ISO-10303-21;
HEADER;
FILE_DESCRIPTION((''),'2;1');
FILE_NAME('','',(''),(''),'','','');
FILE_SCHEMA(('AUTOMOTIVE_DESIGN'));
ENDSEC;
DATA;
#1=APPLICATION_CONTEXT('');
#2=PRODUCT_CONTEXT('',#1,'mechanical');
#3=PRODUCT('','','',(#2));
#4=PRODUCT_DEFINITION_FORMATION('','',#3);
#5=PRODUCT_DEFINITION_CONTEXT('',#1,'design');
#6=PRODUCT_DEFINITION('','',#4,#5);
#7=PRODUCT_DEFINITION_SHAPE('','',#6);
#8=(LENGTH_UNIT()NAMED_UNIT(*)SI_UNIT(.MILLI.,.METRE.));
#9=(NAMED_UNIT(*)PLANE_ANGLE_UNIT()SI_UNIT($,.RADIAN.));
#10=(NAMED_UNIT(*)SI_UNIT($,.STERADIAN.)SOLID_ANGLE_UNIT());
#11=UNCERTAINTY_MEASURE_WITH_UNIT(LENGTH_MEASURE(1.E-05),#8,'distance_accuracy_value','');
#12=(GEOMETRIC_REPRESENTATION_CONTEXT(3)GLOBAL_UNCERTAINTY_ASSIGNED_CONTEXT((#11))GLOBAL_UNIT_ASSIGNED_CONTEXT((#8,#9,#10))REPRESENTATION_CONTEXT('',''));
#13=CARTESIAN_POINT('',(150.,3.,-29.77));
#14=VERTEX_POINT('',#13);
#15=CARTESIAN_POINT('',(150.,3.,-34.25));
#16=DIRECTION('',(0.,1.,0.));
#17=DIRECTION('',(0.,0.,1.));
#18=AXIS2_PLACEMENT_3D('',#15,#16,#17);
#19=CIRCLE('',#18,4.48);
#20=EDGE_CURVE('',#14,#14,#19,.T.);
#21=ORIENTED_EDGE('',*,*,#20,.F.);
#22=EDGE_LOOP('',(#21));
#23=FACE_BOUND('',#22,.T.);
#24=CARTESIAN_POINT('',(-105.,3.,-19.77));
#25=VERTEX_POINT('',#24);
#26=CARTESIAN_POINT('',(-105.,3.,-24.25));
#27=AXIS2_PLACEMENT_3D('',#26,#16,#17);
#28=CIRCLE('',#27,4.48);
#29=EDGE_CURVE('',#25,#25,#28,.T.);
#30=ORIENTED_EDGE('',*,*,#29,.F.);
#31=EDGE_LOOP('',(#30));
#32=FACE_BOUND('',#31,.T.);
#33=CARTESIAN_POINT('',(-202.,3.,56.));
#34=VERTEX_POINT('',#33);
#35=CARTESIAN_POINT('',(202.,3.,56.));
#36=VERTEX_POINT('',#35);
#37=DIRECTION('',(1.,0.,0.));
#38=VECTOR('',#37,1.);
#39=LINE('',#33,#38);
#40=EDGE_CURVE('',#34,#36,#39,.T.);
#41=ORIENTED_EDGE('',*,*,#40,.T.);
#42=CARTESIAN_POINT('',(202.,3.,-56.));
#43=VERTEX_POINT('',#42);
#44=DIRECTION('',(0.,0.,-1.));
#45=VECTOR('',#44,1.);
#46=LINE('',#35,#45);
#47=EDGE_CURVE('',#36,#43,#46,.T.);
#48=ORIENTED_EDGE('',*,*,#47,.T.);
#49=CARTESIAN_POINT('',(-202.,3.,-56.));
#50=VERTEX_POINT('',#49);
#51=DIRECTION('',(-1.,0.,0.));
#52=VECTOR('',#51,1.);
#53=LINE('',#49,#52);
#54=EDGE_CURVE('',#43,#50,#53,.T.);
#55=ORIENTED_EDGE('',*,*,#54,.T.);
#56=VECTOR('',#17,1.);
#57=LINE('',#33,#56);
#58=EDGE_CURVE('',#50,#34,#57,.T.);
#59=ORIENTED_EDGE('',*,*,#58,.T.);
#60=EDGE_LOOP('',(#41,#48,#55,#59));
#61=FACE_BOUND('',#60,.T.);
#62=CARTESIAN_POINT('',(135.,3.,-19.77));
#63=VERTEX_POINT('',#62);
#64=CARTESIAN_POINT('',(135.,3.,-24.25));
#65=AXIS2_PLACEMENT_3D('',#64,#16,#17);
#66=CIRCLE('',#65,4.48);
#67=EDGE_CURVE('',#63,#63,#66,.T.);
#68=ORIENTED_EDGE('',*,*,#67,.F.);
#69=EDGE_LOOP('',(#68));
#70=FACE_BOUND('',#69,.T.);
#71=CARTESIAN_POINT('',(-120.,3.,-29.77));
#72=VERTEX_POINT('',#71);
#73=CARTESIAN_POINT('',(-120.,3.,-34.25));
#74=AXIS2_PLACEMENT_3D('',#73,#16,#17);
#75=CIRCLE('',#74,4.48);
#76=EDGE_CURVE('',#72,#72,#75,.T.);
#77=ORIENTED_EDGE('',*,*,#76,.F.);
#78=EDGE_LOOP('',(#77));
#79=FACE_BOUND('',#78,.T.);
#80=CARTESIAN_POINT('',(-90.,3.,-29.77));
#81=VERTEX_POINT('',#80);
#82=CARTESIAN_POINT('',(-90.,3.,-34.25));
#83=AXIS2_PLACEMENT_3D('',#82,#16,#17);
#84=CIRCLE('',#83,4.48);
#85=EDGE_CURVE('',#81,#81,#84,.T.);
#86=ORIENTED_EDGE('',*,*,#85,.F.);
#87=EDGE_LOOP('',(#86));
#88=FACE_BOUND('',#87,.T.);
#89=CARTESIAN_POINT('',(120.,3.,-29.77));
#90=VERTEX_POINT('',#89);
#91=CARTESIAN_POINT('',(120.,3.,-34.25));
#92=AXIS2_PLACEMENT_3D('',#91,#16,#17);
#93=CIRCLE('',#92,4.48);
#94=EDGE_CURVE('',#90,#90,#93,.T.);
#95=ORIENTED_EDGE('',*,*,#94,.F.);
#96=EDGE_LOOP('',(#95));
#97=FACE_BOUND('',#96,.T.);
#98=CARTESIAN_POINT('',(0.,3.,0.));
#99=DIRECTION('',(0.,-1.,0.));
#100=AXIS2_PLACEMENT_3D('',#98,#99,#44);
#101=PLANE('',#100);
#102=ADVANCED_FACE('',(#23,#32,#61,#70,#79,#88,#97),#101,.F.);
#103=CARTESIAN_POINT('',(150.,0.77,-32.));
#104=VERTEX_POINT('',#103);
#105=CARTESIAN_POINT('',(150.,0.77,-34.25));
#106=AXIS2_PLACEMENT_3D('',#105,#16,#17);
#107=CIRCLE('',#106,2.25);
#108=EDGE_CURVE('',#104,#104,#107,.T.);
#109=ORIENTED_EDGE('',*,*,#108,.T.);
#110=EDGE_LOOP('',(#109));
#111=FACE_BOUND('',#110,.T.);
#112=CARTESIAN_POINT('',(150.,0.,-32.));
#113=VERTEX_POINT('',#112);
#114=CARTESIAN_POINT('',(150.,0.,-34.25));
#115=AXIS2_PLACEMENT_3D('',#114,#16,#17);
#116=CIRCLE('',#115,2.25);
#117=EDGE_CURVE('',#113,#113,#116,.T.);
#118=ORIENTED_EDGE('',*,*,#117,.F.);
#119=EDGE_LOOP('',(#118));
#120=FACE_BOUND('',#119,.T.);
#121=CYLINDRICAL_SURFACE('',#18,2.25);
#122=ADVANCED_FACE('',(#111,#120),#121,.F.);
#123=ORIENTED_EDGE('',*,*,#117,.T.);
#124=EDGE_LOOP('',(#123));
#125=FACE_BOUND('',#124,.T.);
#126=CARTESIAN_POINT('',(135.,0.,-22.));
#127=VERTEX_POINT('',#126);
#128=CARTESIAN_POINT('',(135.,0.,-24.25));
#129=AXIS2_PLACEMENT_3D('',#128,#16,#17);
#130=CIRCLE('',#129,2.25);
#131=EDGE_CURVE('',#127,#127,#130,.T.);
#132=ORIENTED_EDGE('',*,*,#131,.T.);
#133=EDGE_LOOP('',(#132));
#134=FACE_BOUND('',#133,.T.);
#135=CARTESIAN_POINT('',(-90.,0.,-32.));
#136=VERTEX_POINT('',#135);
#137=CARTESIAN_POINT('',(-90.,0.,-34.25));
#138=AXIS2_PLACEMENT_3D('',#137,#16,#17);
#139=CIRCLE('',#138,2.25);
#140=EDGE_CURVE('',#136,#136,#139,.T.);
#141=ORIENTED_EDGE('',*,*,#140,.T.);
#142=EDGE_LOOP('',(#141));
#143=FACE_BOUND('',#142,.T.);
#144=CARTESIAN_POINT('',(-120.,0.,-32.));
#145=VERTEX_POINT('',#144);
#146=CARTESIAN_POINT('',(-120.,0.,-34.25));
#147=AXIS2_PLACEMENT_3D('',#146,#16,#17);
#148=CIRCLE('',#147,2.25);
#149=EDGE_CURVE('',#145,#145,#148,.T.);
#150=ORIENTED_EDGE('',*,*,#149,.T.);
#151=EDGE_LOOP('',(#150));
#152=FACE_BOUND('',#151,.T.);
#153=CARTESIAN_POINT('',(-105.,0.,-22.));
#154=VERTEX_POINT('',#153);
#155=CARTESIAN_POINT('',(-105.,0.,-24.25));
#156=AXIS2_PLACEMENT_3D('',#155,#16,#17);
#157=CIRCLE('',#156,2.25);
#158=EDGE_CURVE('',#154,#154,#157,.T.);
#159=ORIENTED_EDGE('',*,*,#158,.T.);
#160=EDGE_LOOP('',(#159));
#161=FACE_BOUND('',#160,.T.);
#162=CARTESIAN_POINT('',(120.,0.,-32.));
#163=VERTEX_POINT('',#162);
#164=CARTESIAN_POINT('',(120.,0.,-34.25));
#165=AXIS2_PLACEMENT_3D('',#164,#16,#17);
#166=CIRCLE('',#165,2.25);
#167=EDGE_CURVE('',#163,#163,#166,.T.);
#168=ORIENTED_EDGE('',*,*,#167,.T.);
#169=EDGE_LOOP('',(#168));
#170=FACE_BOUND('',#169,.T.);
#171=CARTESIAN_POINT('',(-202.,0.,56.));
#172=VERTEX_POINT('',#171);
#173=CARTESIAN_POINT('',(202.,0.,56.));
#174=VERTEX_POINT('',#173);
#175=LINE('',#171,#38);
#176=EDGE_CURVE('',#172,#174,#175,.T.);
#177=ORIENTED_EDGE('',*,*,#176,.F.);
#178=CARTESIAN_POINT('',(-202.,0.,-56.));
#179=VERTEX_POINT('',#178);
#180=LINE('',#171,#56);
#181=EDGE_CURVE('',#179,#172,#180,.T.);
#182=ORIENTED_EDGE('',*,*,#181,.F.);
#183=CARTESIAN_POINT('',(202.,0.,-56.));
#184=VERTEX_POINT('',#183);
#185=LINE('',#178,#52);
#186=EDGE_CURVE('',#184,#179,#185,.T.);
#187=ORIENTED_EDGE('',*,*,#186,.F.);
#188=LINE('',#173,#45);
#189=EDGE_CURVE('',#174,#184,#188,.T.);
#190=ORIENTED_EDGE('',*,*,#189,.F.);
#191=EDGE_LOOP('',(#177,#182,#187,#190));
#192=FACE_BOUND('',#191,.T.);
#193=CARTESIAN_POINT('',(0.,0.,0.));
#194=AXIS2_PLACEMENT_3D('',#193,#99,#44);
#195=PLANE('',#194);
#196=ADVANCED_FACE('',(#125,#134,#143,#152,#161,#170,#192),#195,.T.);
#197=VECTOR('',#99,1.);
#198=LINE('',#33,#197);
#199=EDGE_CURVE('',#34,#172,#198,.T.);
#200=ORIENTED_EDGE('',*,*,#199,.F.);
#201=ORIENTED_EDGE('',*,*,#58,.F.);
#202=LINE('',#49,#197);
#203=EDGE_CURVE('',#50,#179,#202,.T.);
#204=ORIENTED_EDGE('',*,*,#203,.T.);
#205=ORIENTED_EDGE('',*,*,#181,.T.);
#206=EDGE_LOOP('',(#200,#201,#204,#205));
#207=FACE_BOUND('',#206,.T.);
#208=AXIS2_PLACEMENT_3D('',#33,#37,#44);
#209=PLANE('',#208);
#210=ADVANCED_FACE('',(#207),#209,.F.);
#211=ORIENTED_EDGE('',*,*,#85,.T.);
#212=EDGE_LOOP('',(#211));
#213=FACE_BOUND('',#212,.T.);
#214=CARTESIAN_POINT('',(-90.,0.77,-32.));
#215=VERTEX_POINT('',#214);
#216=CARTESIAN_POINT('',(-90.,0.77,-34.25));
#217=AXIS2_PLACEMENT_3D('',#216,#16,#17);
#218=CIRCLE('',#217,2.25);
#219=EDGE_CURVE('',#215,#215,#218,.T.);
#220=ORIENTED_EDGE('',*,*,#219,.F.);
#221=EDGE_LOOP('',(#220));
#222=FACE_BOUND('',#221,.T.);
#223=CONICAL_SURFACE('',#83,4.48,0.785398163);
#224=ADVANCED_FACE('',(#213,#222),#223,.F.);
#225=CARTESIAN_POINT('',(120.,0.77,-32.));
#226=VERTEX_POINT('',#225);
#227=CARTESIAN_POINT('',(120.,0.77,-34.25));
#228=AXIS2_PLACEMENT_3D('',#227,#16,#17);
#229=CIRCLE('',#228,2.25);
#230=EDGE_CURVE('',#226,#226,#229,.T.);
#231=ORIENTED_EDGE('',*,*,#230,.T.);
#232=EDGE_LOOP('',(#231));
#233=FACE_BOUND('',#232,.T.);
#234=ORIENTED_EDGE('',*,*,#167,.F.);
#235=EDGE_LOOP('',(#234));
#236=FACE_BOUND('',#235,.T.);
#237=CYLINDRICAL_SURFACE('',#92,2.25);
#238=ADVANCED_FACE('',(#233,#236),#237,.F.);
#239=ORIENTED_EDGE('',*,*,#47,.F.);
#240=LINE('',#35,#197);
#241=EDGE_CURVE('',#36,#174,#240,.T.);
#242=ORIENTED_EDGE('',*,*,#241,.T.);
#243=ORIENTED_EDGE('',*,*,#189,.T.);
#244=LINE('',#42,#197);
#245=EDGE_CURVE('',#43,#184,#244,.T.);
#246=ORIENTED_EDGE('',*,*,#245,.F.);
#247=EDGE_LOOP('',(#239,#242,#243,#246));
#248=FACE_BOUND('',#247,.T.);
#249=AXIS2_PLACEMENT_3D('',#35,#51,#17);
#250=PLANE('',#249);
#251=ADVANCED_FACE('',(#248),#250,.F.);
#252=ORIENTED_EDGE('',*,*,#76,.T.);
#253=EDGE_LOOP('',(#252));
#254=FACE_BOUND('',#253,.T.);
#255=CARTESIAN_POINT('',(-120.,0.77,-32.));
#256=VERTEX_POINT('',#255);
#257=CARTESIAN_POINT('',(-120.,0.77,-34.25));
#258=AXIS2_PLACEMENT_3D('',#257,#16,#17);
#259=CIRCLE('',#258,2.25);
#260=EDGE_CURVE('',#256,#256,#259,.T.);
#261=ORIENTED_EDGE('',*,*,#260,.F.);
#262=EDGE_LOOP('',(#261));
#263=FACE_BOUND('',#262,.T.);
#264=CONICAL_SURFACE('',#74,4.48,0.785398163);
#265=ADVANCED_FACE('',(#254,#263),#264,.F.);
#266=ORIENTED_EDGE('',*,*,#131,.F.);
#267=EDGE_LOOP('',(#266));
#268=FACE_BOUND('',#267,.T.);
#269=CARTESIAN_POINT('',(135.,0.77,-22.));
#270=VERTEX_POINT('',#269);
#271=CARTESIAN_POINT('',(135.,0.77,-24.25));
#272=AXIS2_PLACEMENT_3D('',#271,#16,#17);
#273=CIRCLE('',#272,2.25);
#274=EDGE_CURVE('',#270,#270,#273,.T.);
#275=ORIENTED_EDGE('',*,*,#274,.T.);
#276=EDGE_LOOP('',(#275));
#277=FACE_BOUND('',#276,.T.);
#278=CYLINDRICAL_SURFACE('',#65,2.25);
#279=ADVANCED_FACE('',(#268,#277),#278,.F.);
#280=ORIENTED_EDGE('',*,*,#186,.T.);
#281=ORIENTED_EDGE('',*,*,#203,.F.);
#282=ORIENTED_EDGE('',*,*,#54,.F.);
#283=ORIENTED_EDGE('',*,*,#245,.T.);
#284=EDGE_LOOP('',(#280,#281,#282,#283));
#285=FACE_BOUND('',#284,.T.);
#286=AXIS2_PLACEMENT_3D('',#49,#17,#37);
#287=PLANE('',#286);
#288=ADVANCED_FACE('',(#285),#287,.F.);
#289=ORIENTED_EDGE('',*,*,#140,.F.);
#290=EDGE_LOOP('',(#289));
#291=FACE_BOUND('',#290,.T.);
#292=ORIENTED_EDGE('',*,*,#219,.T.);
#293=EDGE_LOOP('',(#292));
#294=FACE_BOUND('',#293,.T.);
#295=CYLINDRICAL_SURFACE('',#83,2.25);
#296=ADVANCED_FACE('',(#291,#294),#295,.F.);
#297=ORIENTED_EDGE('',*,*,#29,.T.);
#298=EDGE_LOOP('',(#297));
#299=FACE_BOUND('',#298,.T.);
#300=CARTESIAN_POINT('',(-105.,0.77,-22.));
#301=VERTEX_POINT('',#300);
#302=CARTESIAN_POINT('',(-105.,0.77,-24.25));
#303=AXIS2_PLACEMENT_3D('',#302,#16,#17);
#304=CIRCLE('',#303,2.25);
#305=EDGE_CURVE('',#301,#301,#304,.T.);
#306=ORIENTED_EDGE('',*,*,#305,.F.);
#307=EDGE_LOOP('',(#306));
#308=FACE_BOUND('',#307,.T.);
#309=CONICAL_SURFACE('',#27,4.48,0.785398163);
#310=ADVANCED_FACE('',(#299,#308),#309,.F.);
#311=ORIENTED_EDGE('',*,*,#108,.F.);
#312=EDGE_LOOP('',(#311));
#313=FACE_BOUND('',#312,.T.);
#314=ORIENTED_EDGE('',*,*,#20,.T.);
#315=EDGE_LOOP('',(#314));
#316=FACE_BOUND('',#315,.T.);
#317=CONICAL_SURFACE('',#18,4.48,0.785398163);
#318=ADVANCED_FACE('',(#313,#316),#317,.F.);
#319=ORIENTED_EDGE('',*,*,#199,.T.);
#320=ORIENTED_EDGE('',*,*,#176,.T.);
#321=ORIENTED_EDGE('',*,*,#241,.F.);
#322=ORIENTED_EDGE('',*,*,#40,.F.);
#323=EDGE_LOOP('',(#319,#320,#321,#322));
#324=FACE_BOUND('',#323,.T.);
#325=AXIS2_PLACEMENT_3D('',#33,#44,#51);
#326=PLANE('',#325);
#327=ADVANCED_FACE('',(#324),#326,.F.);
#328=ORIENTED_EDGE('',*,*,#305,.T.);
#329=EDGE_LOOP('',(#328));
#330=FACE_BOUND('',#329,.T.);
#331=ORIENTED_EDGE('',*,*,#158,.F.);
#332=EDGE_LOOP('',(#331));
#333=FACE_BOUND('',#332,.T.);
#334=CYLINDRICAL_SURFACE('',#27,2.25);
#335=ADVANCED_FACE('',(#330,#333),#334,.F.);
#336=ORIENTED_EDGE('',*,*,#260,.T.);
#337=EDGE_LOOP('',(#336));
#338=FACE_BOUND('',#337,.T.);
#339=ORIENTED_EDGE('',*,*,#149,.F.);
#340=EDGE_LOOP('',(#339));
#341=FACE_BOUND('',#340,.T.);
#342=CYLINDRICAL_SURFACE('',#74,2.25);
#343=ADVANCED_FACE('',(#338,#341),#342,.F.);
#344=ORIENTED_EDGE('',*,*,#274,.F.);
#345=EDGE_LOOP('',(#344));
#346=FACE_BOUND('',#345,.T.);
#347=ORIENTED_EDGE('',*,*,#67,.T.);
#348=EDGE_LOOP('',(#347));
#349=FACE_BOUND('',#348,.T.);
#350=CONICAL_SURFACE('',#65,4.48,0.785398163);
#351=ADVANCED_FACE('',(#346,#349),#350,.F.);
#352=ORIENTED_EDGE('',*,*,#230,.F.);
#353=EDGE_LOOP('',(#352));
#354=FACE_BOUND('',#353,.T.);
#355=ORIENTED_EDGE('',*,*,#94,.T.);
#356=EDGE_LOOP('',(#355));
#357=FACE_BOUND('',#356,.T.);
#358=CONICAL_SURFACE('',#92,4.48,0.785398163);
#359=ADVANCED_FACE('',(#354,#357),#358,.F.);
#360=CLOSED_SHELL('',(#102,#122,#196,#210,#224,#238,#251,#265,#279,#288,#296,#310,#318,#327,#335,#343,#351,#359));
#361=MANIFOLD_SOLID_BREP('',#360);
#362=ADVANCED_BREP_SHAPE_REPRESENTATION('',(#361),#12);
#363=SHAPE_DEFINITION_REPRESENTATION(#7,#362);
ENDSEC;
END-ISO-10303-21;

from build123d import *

# Parameters (mm, degrees)
SKETCH1_W                    = 404
SKETCH1_H                    = 112
BOSS_EXTRUDE1_DEPTH          = 3
CSK_FOR_M4_SFHCS1_AT_2_COUNT = 2
CSK_FOR_M4_SFHCS1_AT_2_PITCH = 30
CSK_FOR_M4_SFHCS1_AT_3_COUNT = 2
CSK_FOR_M4_SFHCS1_AT_3_PITCH = 18.027756377
LPATTERN1_COUNT              = 2
LPATTERN1_PITCH              = 240


with BuildPart() as part:
    # Sketch1 → Boss-Extrude1 (new body)
    with BuildSketch(Plane(origin=(0, 0, 0), x_dir=(1, 0, 0), z_dir=(0, 1, 0))):
        Rectangle(SKETCH1_W, SKETCH1_H)
    extrude(amount=BOSS_EXTRUDE1_DEPTH)

    # Sketch3 → CSK for M4 SFHCS1 (revolve, cut)
    with BuildSketch(Plane(origin=(120, 3, -34.25), x_dir=(0, 0, 1), z_dir=(1, 0, 0))):
        Polygon((0, 0), (0, 3), (2.25, 3), (2.25, 2.23), (4.48, 0), align=None)
    csk_for_m4_sfhcs1 = revolve(axis=Axis((120, 9.35, -34.25), (0, -1, 0)), mode=Mode.SUBTRACT)

    # CSK for M4 SFHCS1 at 2: CSK for M4 SFHCS1 ×2
    with Locations(*[(i * CSK_FOR_M4_SFHCS1_AT_2_PITCH, 0, 0) for i in range(1, CSK_FOR_M4_SFHCS1_AT_2_COUNT)]):
        add(csk_for_m4_sfhcs1, mode=Mode.SUBTRACT)

    # CSK for M4 SFHCS1 at 3: CSK for M4 SFHCS1 ×2
    with Locations(*[Vector(0.832050294337843, 0, 0.55470019622523) * (i * CSK_FOR_M4_SFHCS1_AT_3_PITCH) for i in range(1, CSK_FOR_M4_SFHCS1_AT_3_COUNT)]):
        add(csk_for_m4_sfhcs1, mode=Mode.SUBTRACT)

    # LPattern1: CSK for M4 SFHCS1 ×2
    with Locations(*[(-i * LPATTERN1_PITCH, 0, 0) for i in range(1, LPATTERN1_COUNT)]):
        add(csk_for_m4_sfhcs1, mode=Mode.SUBTRACT)

    # LPattern1 copy 1 sketch → LPattern1 copy 1 (revolve, cut)
    with BuildSketch(Plane(origin=(-90, 3, -34.25), x_dir=(0, 0, 1), z_dir=(1, 0, 0))):
        Polygon((0, 0), (0, 3), (2.25, 3), (2.25, 2.23), (4.48, 0), align=None)
    revolve(axis=Axis((-90, 9.35, -34.25), (0, -1, 0)), mode=Mode.SUBTRACT)

    # LPattern1 copy 2 sketch → LPattern1 copy 2 (revolve, cut)
    with BuildSketch(Plane(origin=(-105, 3, -24.25), x_dir=(0, 0, 1), z_dir=(1, 0, 0))):
        Polygon((0, 0), (0, 3), (2.25, 3), (2.25, 2.23), (4.48, 0), align=None)
    revolve(axis=Axis((-105, 9.35, -24.25), (0, -1, 0)), mode=Mode.SUBTRACT)


solid = part.part
